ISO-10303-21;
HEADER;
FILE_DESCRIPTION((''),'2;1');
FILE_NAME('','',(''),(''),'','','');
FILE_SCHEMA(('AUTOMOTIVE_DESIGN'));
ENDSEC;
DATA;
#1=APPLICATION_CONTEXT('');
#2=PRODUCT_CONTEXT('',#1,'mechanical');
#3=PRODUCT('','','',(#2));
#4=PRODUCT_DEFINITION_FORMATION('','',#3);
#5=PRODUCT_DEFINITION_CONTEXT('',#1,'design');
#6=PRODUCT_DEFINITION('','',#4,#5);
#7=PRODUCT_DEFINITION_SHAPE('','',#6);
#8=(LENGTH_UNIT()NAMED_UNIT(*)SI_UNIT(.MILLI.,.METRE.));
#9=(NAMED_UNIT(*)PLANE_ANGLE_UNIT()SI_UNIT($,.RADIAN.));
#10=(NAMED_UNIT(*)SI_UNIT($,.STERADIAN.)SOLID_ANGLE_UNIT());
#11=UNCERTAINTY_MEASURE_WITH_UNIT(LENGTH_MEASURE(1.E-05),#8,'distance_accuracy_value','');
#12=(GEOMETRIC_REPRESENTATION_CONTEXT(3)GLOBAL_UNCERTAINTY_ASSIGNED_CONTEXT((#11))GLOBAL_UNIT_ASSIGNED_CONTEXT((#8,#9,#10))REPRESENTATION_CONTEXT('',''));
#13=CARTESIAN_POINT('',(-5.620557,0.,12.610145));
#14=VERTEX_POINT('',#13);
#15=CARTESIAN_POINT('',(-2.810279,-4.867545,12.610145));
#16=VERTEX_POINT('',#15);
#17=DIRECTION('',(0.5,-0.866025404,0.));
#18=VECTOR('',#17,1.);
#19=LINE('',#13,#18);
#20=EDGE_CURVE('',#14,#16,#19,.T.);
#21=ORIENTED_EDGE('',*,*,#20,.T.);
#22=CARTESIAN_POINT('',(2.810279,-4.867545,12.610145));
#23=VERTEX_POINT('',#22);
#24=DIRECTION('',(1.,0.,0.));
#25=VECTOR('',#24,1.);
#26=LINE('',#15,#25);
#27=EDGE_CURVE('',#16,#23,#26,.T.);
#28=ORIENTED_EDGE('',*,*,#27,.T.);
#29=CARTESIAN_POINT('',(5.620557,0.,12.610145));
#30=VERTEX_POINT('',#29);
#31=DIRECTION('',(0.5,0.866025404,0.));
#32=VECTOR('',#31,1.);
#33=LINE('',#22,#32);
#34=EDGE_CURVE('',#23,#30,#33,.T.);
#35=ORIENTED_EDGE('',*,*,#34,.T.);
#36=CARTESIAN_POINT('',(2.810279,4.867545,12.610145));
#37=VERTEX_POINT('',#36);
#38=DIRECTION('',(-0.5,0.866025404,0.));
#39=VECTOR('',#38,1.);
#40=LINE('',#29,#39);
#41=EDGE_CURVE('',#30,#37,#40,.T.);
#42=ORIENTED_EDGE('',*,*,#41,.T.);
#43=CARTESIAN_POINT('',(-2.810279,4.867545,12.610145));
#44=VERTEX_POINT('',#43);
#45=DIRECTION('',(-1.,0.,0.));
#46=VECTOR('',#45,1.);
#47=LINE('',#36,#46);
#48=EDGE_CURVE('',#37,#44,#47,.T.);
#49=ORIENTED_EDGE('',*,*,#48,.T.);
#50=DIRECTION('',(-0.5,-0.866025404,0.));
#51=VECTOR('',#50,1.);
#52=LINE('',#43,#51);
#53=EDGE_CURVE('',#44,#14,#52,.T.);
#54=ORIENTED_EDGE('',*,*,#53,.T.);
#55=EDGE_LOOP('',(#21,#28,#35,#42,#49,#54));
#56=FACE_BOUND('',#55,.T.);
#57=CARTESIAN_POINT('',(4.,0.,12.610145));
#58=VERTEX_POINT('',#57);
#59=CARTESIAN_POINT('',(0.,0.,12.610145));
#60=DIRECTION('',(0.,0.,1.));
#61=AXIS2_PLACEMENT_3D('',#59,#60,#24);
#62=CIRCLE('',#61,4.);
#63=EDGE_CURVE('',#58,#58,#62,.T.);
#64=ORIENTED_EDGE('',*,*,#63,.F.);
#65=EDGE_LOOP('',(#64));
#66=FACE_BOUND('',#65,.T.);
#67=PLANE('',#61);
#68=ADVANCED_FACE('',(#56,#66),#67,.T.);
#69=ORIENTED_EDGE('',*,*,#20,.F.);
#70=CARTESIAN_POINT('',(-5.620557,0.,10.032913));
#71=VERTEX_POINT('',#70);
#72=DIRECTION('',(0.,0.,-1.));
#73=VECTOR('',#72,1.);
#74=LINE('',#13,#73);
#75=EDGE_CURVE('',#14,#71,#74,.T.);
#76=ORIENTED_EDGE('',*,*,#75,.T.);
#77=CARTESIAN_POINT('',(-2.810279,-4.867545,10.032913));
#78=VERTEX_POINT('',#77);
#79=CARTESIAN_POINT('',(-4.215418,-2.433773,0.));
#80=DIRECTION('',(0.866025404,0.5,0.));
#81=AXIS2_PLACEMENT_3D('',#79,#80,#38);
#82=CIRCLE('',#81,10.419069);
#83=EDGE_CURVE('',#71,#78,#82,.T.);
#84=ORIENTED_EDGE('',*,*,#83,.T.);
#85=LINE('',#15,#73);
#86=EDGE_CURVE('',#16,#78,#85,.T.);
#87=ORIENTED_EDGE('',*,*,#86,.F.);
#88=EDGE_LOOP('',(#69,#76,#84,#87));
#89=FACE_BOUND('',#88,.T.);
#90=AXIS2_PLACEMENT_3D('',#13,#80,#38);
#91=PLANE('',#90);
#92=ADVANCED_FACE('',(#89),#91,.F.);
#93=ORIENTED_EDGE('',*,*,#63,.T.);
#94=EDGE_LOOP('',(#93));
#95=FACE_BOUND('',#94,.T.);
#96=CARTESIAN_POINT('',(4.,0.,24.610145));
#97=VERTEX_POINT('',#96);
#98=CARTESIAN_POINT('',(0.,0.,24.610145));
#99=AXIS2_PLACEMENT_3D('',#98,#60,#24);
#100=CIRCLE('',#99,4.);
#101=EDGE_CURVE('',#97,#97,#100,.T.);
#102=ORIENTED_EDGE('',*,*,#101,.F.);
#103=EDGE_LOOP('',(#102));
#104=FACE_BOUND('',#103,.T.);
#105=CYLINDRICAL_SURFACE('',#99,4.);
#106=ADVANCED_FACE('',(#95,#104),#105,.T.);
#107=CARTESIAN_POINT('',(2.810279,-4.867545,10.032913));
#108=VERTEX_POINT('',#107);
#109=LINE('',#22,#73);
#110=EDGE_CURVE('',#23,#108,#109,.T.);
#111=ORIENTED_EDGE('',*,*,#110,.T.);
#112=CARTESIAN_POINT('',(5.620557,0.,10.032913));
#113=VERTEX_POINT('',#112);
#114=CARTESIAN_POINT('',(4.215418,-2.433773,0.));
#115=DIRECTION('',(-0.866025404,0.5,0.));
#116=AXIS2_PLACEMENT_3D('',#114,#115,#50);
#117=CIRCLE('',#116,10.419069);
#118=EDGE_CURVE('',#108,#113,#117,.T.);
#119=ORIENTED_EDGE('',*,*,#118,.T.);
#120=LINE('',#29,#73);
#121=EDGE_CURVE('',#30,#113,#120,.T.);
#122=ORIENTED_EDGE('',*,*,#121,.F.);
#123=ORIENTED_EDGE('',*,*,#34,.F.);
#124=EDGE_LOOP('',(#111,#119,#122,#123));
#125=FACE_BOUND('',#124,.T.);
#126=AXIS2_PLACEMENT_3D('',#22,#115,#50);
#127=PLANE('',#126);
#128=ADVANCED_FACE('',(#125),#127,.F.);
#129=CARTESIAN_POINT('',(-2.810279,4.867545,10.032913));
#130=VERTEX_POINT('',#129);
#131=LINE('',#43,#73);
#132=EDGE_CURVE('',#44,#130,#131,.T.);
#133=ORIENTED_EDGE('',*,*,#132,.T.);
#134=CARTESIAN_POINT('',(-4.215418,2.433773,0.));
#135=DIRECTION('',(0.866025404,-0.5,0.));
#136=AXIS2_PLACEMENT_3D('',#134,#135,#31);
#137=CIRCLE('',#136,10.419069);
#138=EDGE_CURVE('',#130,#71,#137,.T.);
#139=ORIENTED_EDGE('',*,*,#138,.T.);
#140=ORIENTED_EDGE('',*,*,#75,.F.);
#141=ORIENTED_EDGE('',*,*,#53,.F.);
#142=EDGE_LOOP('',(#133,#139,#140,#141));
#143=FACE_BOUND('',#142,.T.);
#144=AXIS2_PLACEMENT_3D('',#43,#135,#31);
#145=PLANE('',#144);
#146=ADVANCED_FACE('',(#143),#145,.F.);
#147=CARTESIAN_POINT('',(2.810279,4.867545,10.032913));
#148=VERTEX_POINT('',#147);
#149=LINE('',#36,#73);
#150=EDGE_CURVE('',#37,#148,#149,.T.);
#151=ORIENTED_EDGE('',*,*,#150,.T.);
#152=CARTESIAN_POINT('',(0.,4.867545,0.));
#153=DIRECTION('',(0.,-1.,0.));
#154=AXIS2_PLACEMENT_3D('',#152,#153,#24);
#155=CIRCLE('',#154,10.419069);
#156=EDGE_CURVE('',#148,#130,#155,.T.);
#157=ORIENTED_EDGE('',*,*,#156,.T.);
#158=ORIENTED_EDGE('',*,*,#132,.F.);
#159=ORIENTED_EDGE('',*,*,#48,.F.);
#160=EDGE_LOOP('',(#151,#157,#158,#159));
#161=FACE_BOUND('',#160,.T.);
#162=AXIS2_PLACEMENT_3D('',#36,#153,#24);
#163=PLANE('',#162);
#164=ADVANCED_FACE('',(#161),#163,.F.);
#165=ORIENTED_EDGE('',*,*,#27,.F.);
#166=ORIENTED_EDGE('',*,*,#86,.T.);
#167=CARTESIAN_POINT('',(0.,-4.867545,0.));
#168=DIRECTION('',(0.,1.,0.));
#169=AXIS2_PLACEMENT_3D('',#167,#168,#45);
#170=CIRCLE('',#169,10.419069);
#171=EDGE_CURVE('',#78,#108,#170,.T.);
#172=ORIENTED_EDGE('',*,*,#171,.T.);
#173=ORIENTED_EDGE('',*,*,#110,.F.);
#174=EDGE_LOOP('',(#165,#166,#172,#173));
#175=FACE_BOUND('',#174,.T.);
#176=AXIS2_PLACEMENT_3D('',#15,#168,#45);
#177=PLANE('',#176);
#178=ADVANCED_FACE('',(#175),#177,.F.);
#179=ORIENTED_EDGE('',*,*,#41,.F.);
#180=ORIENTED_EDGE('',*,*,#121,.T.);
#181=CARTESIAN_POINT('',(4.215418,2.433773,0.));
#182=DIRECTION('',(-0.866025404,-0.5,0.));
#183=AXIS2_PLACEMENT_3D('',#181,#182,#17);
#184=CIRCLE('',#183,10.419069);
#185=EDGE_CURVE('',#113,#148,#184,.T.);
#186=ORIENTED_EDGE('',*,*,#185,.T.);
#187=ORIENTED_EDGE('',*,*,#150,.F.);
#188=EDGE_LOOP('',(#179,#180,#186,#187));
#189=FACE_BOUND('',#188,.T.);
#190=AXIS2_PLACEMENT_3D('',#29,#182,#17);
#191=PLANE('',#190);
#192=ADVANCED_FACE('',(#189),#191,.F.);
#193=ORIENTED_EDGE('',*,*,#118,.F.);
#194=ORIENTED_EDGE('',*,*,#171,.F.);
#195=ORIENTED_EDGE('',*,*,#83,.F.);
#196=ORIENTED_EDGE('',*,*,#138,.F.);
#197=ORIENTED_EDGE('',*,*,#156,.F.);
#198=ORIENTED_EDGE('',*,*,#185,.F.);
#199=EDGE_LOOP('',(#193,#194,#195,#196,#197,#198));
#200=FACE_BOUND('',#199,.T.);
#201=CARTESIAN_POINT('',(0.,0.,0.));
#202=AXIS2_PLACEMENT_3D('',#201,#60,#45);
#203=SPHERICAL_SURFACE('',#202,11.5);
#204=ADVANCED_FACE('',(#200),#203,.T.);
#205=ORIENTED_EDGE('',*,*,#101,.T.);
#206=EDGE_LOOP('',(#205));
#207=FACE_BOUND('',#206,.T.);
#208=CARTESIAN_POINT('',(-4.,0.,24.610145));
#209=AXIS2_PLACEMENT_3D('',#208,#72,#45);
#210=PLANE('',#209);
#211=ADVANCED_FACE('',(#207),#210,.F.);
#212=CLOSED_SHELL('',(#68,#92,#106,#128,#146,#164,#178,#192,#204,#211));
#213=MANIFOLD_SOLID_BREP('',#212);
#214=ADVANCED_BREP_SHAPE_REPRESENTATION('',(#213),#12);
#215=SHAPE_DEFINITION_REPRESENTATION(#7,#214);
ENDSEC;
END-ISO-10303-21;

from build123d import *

# Parameters (mm, degrees)
SKETCH2_W           = 4
SKETCH2_H           = 15
BOSS_EXTRUDE1_DEPTH = 3


with BuildPart() as part:
    # Sketch1 → Revolve1 (revolve)
    with BuildSketch(Plane(origin=(0, 0, 0), x_dir=(1, 0, 0), z_dir=(0, 1, 0))):
        with BuildLine():
            Line((0, -11.5), (0, 11.5))
            ThreePointArc((0, 11.5), (-11.5, 0), (0, -11.5))
        make_face()
    revolve(axis=Axis((0, 0, 11.5), (0, 0, -1)))

    # Sketch2 → Revolve2 (revolve)
    with BuildSketch(Plane(origin=(0, 0, 0), x_dir=(1, 0, 0), z_dir=(0, 1, 0))):
        with Locations((-2, -17.110144679)):
            Rectangle(SKETCH2_W, SKETCH2_H)
    revolve(axis=Axis((0, 0, 24.610144679), (0, 0, -1)))

    # Sketch3 → Boss-Extrude1 (add)
    with BuildSketch(Plane.XY.offset(9.610144679)):
        Polygon((2.810278521, 4.867545181), (-2.810278521, 4.867545181), (-5.620557041, 0), (-2.810278521, -4.867545181), (2.810278521, -4.867545181), (5.620557041, 0), align=None)
    extrude(amount=BOSS_EXTRUDE1_DEPTH)


solid = part.part
